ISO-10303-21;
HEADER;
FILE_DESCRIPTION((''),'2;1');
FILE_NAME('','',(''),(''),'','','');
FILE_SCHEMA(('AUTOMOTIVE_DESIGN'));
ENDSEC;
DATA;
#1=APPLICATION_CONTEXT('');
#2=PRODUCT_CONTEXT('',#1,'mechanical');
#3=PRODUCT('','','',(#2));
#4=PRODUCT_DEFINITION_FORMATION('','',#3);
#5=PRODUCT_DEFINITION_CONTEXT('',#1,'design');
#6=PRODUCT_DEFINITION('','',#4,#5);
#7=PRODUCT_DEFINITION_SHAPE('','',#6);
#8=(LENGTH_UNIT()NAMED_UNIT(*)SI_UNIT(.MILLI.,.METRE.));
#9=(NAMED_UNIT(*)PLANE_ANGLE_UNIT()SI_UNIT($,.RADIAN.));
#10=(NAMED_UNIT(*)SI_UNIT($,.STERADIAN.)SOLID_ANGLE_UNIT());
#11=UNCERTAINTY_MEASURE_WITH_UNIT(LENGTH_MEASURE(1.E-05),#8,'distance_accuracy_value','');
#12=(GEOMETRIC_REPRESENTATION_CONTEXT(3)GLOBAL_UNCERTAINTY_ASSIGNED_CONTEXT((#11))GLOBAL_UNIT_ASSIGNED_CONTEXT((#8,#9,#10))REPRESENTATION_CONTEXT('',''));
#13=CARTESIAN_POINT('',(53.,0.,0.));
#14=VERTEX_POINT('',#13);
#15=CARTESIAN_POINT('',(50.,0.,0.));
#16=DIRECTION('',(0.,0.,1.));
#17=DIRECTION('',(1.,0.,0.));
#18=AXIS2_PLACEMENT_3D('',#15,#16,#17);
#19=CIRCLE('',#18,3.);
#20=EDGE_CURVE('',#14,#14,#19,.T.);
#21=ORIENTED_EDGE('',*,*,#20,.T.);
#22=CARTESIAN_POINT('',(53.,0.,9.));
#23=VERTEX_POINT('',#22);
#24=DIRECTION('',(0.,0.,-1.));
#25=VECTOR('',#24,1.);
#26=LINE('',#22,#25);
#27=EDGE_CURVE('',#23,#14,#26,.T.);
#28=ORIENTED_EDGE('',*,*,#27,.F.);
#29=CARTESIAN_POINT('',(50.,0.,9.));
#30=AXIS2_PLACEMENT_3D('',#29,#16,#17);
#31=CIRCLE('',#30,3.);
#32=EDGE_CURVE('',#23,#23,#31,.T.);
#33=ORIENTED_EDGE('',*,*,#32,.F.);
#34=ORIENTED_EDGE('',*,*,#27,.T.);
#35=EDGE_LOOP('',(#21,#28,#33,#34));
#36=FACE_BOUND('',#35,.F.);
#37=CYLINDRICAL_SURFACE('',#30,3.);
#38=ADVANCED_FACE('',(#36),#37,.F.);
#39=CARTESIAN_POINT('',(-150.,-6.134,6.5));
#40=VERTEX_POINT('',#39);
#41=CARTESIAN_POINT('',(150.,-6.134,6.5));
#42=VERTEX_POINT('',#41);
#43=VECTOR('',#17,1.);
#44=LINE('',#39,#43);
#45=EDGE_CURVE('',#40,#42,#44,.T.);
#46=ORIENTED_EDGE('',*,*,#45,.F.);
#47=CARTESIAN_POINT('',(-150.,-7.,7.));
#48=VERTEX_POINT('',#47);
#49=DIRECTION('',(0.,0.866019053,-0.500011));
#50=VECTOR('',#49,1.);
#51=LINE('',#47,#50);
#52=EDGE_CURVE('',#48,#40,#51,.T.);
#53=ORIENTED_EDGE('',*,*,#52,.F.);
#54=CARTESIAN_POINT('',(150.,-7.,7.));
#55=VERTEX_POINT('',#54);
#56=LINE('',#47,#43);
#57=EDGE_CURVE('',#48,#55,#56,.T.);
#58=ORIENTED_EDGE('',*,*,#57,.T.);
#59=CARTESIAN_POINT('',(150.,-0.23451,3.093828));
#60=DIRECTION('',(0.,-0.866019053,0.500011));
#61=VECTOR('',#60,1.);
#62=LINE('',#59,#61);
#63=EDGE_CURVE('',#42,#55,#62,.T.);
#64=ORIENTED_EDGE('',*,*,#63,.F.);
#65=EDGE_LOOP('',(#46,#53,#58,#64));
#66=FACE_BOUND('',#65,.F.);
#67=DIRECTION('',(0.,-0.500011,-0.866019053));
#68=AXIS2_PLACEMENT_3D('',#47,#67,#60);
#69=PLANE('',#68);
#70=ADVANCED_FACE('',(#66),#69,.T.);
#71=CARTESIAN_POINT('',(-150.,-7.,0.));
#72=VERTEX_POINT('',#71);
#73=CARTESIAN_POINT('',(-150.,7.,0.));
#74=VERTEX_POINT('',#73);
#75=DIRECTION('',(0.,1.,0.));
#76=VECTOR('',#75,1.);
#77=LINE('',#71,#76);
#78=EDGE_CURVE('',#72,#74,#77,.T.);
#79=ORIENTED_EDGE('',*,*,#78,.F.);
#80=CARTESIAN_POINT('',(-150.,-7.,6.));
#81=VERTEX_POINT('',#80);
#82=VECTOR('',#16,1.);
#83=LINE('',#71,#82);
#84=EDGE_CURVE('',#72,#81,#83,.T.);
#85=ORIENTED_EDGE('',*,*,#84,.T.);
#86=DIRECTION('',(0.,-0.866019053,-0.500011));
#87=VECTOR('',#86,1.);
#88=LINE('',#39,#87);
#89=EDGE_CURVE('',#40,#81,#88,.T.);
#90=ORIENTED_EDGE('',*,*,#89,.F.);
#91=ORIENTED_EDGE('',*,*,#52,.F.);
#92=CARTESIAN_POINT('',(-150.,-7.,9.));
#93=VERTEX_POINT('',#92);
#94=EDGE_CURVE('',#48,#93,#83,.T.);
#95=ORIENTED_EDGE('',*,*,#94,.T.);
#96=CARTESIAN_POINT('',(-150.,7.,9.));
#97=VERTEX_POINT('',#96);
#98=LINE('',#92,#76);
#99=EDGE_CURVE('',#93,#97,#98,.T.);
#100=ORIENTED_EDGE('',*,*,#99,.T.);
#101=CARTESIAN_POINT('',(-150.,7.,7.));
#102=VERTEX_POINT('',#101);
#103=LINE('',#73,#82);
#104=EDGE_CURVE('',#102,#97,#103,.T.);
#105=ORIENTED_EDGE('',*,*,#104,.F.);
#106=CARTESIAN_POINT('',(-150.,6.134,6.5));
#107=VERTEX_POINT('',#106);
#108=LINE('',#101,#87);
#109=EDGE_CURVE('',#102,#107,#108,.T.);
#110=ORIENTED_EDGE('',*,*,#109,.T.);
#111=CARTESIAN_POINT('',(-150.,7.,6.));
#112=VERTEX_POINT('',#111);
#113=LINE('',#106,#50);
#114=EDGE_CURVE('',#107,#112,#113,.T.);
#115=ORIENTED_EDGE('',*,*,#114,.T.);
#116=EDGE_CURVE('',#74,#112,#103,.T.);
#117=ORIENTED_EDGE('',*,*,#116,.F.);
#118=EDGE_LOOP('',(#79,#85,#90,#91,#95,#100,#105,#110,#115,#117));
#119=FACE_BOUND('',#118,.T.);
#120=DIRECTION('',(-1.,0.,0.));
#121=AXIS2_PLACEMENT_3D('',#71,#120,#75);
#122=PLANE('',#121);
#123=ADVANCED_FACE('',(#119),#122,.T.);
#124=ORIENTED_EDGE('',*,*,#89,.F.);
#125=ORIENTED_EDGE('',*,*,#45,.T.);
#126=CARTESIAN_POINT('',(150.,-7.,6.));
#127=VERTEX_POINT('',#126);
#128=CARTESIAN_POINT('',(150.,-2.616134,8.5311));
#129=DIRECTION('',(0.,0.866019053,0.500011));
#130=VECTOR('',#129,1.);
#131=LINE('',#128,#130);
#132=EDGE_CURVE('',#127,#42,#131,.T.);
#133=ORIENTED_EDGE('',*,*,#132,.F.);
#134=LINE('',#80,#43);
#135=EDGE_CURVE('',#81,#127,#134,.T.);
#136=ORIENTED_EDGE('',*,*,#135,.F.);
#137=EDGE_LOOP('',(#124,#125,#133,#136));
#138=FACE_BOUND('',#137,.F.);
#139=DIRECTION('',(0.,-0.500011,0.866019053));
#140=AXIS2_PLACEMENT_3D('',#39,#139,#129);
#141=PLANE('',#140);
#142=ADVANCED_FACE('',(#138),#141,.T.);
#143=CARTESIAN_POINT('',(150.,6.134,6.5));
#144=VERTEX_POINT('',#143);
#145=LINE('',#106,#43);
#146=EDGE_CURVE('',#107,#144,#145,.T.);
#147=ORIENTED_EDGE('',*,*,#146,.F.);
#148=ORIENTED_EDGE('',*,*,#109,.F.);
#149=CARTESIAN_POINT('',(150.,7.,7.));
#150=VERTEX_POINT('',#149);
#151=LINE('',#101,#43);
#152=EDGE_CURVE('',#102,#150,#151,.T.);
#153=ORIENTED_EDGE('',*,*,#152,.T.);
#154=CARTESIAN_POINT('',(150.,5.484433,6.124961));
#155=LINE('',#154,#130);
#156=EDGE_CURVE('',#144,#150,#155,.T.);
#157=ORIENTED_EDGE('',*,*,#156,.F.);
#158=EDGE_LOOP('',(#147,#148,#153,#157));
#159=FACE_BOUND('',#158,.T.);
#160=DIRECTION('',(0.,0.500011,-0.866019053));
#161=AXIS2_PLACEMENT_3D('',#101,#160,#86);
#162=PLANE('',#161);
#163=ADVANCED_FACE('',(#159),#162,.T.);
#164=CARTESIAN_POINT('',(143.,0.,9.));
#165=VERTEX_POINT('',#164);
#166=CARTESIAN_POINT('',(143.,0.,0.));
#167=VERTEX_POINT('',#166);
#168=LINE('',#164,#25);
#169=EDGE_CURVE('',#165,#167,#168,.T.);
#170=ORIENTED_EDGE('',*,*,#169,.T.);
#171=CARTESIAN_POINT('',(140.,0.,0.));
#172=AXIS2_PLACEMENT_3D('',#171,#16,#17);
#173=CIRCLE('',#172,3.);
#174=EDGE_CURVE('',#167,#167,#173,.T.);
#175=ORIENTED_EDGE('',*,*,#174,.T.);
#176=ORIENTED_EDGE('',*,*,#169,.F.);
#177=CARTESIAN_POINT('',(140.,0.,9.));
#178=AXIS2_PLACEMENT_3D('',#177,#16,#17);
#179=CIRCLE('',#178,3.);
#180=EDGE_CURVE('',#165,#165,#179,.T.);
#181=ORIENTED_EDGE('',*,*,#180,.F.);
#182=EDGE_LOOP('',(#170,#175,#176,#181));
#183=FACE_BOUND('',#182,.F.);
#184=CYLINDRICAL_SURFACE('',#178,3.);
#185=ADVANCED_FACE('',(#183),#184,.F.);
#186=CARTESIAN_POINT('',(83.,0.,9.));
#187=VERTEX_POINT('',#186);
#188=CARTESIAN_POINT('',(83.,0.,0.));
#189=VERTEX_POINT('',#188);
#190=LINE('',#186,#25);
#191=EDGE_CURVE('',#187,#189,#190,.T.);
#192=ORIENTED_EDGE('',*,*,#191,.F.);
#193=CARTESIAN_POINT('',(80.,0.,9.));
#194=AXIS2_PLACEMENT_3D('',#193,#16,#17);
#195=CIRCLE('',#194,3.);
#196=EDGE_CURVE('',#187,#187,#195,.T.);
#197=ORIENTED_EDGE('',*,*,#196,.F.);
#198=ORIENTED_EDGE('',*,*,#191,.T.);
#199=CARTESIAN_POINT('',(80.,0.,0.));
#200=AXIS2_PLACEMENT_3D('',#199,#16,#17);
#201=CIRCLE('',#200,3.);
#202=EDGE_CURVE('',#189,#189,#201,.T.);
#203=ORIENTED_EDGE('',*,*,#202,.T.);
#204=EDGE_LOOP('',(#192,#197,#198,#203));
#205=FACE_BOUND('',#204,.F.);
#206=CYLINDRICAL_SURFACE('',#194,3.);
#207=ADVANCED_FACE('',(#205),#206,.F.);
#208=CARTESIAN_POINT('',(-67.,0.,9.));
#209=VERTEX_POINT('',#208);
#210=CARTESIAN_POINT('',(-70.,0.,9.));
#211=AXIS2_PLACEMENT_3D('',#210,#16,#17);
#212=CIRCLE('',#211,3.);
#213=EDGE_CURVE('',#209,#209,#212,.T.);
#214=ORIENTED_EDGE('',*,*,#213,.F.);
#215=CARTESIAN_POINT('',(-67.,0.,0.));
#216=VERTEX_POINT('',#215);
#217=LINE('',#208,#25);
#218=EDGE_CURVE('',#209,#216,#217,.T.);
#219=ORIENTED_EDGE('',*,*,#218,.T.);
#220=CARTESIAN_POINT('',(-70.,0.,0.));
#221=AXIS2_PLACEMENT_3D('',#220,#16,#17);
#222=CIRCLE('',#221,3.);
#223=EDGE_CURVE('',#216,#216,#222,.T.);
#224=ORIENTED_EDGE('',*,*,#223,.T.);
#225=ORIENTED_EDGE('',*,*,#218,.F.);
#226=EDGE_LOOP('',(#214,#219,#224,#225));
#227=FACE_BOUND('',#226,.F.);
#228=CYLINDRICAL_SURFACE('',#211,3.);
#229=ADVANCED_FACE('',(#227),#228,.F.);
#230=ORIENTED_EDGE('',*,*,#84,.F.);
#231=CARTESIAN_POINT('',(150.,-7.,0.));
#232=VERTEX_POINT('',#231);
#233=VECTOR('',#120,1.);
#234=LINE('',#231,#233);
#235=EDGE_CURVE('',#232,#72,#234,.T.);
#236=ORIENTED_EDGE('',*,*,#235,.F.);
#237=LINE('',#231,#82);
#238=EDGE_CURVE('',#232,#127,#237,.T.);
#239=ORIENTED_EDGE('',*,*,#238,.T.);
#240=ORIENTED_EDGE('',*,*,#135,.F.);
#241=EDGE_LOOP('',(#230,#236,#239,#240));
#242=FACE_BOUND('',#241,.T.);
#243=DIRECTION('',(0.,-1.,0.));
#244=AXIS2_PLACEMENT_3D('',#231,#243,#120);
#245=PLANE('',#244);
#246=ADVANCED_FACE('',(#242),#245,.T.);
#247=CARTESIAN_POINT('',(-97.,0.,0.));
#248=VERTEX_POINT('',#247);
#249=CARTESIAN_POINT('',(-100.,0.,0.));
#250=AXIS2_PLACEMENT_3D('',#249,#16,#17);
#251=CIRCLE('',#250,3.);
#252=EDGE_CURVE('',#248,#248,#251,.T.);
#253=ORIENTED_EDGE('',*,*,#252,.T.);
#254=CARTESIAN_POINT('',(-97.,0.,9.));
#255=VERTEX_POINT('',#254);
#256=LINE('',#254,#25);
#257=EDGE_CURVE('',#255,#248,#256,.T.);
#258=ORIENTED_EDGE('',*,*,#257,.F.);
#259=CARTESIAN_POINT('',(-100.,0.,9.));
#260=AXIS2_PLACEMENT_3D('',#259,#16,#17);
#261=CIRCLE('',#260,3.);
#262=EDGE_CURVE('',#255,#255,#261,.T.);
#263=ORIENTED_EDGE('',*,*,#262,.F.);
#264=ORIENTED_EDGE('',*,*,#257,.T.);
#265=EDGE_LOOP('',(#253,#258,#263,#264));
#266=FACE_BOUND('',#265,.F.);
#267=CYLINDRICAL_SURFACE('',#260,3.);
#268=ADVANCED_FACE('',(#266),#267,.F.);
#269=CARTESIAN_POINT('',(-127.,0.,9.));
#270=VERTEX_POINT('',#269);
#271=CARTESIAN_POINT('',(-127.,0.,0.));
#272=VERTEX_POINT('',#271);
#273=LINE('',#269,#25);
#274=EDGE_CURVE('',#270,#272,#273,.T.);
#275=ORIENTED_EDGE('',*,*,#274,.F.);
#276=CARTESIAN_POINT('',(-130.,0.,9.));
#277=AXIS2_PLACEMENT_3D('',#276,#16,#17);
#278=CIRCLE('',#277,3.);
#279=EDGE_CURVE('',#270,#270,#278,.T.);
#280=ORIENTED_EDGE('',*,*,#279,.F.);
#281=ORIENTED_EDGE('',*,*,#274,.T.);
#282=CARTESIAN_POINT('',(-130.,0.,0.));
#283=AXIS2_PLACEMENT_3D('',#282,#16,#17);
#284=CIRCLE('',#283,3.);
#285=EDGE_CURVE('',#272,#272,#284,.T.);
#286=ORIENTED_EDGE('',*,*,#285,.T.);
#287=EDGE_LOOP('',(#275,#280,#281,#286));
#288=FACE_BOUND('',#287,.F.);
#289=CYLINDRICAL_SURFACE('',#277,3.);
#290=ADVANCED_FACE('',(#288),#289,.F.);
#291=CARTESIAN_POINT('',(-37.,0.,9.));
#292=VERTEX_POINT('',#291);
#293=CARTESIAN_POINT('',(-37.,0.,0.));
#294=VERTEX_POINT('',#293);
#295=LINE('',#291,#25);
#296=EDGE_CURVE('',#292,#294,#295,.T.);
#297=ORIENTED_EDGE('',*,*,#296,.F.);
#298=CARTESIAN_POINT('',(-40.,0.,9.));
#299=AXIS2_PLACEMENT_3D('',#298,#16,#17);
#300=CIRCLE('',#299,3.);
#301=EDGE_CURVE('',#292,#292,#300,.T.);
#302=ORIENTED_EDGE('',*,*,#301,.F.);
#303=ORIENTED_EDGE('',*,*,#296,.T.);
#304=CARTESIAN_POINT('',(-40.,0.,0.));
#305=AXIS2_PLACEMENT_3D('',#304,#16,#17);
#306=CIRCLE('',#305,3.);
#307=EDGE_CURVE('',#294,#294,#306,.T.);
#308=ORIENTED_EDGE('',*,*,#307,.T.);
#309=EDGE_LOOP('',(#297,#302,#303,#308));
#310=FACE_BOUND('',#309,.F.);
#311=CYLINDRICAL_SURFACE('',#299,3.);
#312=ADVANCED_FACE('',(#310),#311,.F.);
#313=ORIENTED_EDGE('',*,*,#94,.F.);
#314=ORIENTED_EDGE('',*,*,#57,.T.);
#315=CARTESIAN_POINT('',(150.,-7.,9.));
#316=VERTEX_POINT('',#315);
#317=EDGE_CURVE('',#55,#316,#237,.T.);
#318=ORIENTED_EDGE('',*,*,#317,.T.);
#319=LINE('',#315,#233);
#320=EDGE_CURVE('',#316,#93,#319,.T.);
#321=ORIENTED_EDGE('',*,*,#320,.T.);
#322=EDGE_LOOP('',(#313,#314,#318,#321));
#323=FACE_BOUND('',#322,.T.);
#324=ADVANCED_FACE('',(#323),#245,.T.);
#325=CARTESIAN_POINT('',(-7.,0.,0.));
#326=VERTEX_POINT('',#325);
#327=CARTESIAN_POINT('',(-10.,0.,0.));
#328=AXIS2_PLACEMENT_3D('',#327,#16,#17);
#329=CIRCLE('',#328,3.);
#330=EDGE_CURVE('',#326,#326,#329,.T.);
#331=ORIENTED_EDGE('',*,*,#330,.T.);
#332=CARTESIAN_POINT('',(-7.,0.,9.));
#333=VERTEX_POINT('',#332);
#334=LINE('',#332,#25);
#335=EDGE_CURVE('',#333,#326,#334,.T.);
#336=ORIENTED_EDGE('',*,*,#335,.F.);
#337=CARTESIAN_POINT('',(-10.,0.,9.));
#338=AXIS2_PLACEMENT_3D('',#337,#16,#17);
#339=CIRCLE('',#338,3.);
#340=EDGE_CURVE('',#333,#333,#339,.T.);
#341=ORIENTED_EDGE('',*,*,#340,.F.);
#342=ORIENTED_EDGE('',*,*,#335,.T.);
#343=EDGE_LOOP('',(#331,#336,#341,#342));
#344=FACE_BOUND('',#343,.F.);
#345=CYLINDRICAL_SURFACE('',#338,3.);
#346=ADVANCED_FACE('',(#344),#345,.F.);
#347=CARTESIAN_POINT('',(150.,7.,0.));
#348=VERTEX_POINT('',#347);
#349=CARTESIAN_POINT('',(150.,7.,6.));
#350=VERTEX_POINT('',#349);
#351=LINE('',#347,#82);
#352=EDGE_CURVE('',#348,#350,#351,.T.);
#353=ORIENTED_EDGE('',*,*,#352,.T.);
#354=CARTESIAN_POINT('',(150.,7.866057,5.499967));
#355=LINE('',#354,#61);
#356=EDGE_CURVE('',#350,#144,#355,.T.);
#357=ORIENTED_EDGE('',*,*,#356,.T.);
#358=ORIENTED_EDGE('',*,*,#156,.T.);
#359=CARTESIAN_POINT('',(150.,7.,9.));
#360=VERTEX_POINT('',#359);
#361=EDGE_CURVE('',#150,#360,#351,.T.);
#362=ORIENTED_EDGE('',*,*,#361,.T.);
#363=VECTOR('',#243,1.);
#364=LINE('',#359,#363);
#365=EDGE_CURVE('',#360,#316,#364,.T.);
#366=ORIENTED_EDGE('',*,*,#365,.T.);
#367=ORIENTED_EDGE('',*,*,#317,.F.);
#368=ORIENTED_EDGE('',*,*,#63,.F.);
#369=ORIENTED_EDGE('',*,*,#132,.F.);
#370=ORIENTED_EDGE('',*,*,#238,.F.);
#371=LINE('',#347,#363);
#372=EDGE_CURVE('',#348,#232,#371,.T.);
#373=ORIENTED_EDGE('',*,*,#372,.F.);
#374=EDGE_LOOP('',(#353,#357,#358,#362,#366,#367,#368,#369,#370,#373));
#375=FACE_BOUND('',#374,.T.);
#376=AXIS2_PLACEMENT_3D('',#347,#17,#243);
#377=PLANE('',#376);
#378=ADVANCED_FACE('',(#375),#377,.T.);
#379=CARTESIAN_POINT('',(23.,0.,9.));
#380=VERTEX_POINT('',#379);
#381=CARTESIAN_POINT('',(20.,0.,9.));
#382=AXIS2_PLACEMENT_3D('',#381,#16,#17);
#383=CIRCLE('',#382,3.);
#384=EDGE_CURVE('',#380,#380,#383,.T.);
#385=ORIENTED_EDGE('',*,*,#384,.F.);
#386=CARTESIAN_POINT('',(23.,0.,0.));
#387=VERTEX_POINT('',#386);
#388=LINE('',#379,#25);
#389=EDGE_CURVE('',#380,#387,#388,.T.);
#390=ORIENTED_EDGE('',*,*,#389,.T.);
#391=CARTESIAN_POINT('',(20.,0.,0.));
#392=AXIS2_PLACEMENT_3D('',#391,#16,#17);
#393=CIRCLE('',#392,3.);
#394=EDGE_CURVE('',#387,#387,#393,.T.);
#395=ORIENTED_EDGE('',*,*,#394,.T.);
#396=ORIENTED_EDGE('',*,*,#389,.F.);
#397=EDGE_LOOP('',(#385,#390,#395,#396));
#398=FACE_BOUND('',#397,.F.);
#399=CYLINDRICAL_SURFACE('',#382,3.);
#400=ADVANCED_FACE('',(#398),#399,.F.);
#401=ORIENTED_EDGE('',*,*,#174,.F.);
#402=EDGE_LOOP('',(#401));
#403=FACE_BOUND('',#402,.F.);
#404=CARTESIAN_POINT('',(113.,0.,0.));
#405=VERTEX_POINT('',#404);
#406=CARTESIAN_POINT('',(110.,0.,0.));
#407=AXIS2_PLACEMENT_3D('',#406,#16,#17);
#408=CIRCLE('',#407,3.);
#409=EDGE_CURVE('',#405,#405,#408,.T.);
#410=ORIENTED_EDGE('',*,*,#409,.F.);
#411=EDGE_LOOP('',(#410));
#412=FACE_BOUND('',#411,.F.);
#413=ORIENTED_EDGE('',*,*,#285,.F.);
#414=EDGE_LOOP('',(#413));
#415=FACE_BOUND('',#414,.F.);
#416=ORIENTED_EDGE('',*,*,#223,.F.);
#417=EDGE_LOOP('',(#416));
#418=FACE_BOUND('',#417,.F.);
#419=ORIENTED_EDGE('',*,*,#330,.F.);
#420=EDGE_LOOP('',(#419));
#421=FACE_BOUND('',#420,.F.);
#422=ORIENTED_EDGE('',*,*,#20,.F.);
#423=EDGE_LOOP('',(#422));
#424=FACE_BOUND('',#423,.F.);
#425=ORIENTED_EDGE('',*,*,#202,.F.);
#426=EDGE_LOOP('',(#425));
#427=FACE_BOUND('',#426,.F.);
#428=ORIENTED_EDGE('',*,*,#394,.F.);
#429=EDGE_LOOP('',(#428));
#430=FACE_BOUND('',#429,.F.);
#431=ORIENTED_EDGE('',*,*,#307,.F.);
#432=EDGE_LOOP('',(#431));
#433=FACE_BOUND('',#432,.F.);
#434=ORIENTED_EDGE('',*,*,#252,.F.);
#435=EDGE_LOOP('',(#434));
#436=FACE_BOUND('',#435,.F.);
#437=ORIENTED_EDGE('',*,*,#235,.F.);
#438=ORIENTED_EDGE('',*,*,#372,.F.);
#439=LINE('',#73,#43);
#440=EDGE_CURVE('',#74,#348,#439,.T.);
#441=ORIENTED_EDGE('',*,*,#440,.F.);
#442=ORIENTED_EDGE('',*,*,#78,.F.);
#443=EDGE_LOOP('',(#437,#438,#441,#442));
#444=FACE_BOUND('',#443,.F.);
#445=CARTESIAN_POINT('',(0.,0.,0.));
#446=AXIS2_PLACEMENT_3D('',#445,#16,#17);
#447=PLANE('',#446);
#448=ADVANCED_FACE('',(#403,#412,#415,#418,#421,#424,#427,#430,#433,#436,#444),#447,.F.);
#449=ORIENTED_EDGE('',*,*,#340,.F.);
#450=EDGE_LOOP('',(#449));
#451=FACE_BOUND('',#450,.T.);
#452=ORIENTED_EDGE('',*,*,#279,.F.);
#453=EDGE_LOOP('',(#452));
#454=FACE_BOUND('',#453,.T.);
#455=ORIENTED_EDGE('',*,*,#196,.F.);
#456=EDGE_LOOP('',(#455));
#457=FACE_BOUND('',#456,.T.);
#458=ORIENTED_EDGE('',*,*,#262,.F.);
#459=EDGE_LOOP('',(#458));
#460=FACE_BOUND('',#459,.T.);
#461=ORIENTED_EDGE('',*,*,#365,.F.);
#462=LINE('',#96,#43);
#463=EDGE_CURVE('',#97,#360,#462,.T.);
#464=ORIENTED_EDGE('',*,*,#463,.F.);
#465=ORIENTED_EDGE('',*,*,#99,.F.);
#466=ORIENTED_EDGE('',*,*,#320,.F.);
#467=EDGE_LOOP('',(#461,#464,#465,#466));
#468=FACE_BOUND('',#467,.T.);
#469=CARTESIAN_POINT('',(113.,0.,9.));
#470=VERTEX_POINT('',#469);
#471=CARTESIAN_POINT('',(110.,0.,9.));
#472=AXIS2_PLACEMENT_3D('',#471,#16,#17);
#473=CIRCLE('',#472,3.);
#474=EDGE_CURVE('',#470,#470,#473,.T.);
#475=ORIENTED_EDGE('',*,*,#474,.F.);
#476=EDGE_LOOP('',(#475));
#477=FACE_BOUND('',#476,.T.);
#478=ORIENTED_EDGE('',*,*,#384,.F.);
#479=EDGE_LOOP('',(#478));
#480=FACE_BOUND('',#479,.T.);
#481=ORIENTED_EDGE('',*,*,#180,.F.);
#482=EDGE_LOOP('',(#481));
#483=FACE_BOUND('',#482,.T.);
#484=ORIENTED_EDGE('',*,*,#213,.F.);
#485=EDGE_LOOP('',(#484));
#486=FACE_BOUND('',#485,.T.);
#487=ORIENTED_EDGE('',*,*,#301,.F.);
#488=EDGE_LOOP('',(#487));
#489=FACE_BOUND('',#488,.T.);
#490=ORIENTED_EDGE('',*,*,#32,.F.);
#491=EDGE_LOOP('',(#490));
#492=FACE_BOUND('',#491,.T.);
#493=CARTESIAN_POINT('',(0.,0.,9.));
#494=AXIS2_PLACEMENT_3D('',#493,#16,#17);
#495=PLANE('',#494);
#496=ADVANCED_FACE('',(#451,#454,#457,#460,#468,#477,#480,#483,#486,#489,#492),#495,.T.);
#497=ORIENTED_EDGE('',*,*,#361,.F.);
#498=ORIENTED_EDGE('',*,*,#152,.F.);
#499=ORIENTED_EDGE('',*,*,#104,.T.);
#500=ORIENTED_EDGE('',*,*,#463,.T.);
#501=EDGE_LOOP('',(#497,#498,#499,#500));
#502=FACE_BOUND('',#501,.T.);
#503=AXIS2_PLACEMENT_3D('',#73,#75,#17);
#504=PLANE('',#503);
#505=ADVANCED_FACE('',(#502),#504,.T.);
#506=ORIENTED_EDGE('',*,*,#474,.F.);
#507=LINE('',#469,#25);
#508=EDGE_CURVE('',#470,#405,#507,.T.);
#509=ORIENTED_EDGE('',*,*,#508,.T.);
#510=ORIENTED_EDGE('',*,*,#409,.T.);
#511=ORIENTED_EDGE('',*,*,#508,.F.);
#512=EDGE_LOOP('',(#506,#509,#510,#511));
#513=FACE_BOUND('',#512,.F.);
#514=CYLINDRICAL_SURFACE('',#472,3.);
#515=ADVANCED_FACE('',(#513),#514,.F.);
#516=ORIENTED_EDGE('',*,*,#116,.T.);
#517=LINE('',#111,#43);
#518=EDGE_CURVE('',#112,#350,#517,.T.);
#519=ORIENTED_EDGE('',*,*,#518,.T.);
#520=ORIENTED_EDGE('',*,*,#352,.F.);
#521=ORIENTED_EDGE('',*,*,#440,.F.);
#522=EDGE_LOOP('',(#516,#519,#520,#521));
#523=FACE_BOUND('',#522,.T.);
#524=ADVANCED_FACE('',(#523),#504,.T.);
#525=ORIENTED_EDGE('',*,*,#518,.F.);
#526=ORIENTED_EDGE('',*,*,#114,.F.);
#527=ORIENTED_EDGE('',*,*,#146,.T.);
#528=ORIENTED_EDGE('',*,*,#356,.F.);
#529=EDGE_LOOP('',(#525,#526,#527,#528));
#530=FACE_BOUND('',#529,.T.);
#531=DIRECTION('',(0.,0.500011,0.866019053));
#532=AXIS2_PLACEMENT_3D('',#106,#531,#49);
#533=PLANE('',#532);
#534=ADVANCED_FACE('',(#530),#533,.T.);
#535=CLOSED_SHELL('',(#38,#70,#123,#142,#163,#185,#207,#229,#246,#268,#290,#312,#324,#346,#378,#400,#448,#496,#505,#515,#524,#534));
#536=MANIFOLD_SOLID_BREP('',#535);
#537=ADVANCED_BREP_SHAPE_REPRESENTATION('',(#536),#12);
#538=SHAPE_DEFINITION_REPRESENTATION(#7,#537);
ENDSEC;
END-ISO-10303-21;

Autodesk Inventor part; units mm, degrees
ref_plane "YZ Plane" through (0, 0, 0) normal (1, 0, 0) x (0, 1, 0)
ref_plane "XZ Plane" through (0, 0, 0) normal (0, 1, 0) x (-1, 0, 0)
ref_plane "XY Plane" through (0, 0, 0) normal (0, 0, 1) x (1, 0, 0)
sketch "Sketch1" plane through (0, 0, 0) normal (0, 0, 1) x (1, 0, 0)
  line L0 (150, -7) -> (-150, -7)
  line L1 (-150, -7) -> (-150, 7)
  line L2 (-150, 7) -> (150, 7)
  line L3 (150, 7) -> (150, -7)
  line L4 (0, 0) -> (0, 3.6651)
  line L5 (0, 0) -> (24.411, 0)
  point P0 (0, 7)
  point P1 (150, 0)
  dimension "d0" = 300
  dimension "d1" = 14
extrude "Extrusion1" add sketch "Sketch1" along normal blind 9
sketch "Sketch2" plane through (-150, -7, 0) normal (-1, 0, 0) x (0, 0, 1)
  line L0 (0, 14) -> (9, 14) projected
  line L1 (6.5, 13.134) -> (6, 14)
  line L2 (6, 14) -> (7, 14)
  line L3 (7, 14) -> (6.5, 13.134)
  point P0 (0, 7)
  point P1 (6.5, 13.7113)
  dimension "d4" = 1
  dimension "d5" = 2
extrude "Extrusion2" cut sketch "Sketch2" against normal through all
mirror "Mirror1" about plane through (0, 0, 0) normal (0, 1, 0) of "Extrusion2"
sketch "Sketch3" plane through (0, 0, 9) normal (0, 0, 1) x (1, 0, 0)
  line L0 (-150, 7) -> (-150, -7) projected
  circle A0 centre (-130, 0) radius 3
  point P0 (0, 0)
  dimension "d9" = 6
  dimension "d10" = 20
extrude "Extrusion3" cut sketch "Sketch3" against normal through all
pattern_linear "Rectangular Pattern1" count 10 spacing 30 along (1, 0, 0) of "Extrusion3"
ref_plane "Work Plane1" through (0, 0, 0) normal (0, 1, 0) x (-1, 0, 0)
properties part number "Stand" material "Steel, Wrought"
